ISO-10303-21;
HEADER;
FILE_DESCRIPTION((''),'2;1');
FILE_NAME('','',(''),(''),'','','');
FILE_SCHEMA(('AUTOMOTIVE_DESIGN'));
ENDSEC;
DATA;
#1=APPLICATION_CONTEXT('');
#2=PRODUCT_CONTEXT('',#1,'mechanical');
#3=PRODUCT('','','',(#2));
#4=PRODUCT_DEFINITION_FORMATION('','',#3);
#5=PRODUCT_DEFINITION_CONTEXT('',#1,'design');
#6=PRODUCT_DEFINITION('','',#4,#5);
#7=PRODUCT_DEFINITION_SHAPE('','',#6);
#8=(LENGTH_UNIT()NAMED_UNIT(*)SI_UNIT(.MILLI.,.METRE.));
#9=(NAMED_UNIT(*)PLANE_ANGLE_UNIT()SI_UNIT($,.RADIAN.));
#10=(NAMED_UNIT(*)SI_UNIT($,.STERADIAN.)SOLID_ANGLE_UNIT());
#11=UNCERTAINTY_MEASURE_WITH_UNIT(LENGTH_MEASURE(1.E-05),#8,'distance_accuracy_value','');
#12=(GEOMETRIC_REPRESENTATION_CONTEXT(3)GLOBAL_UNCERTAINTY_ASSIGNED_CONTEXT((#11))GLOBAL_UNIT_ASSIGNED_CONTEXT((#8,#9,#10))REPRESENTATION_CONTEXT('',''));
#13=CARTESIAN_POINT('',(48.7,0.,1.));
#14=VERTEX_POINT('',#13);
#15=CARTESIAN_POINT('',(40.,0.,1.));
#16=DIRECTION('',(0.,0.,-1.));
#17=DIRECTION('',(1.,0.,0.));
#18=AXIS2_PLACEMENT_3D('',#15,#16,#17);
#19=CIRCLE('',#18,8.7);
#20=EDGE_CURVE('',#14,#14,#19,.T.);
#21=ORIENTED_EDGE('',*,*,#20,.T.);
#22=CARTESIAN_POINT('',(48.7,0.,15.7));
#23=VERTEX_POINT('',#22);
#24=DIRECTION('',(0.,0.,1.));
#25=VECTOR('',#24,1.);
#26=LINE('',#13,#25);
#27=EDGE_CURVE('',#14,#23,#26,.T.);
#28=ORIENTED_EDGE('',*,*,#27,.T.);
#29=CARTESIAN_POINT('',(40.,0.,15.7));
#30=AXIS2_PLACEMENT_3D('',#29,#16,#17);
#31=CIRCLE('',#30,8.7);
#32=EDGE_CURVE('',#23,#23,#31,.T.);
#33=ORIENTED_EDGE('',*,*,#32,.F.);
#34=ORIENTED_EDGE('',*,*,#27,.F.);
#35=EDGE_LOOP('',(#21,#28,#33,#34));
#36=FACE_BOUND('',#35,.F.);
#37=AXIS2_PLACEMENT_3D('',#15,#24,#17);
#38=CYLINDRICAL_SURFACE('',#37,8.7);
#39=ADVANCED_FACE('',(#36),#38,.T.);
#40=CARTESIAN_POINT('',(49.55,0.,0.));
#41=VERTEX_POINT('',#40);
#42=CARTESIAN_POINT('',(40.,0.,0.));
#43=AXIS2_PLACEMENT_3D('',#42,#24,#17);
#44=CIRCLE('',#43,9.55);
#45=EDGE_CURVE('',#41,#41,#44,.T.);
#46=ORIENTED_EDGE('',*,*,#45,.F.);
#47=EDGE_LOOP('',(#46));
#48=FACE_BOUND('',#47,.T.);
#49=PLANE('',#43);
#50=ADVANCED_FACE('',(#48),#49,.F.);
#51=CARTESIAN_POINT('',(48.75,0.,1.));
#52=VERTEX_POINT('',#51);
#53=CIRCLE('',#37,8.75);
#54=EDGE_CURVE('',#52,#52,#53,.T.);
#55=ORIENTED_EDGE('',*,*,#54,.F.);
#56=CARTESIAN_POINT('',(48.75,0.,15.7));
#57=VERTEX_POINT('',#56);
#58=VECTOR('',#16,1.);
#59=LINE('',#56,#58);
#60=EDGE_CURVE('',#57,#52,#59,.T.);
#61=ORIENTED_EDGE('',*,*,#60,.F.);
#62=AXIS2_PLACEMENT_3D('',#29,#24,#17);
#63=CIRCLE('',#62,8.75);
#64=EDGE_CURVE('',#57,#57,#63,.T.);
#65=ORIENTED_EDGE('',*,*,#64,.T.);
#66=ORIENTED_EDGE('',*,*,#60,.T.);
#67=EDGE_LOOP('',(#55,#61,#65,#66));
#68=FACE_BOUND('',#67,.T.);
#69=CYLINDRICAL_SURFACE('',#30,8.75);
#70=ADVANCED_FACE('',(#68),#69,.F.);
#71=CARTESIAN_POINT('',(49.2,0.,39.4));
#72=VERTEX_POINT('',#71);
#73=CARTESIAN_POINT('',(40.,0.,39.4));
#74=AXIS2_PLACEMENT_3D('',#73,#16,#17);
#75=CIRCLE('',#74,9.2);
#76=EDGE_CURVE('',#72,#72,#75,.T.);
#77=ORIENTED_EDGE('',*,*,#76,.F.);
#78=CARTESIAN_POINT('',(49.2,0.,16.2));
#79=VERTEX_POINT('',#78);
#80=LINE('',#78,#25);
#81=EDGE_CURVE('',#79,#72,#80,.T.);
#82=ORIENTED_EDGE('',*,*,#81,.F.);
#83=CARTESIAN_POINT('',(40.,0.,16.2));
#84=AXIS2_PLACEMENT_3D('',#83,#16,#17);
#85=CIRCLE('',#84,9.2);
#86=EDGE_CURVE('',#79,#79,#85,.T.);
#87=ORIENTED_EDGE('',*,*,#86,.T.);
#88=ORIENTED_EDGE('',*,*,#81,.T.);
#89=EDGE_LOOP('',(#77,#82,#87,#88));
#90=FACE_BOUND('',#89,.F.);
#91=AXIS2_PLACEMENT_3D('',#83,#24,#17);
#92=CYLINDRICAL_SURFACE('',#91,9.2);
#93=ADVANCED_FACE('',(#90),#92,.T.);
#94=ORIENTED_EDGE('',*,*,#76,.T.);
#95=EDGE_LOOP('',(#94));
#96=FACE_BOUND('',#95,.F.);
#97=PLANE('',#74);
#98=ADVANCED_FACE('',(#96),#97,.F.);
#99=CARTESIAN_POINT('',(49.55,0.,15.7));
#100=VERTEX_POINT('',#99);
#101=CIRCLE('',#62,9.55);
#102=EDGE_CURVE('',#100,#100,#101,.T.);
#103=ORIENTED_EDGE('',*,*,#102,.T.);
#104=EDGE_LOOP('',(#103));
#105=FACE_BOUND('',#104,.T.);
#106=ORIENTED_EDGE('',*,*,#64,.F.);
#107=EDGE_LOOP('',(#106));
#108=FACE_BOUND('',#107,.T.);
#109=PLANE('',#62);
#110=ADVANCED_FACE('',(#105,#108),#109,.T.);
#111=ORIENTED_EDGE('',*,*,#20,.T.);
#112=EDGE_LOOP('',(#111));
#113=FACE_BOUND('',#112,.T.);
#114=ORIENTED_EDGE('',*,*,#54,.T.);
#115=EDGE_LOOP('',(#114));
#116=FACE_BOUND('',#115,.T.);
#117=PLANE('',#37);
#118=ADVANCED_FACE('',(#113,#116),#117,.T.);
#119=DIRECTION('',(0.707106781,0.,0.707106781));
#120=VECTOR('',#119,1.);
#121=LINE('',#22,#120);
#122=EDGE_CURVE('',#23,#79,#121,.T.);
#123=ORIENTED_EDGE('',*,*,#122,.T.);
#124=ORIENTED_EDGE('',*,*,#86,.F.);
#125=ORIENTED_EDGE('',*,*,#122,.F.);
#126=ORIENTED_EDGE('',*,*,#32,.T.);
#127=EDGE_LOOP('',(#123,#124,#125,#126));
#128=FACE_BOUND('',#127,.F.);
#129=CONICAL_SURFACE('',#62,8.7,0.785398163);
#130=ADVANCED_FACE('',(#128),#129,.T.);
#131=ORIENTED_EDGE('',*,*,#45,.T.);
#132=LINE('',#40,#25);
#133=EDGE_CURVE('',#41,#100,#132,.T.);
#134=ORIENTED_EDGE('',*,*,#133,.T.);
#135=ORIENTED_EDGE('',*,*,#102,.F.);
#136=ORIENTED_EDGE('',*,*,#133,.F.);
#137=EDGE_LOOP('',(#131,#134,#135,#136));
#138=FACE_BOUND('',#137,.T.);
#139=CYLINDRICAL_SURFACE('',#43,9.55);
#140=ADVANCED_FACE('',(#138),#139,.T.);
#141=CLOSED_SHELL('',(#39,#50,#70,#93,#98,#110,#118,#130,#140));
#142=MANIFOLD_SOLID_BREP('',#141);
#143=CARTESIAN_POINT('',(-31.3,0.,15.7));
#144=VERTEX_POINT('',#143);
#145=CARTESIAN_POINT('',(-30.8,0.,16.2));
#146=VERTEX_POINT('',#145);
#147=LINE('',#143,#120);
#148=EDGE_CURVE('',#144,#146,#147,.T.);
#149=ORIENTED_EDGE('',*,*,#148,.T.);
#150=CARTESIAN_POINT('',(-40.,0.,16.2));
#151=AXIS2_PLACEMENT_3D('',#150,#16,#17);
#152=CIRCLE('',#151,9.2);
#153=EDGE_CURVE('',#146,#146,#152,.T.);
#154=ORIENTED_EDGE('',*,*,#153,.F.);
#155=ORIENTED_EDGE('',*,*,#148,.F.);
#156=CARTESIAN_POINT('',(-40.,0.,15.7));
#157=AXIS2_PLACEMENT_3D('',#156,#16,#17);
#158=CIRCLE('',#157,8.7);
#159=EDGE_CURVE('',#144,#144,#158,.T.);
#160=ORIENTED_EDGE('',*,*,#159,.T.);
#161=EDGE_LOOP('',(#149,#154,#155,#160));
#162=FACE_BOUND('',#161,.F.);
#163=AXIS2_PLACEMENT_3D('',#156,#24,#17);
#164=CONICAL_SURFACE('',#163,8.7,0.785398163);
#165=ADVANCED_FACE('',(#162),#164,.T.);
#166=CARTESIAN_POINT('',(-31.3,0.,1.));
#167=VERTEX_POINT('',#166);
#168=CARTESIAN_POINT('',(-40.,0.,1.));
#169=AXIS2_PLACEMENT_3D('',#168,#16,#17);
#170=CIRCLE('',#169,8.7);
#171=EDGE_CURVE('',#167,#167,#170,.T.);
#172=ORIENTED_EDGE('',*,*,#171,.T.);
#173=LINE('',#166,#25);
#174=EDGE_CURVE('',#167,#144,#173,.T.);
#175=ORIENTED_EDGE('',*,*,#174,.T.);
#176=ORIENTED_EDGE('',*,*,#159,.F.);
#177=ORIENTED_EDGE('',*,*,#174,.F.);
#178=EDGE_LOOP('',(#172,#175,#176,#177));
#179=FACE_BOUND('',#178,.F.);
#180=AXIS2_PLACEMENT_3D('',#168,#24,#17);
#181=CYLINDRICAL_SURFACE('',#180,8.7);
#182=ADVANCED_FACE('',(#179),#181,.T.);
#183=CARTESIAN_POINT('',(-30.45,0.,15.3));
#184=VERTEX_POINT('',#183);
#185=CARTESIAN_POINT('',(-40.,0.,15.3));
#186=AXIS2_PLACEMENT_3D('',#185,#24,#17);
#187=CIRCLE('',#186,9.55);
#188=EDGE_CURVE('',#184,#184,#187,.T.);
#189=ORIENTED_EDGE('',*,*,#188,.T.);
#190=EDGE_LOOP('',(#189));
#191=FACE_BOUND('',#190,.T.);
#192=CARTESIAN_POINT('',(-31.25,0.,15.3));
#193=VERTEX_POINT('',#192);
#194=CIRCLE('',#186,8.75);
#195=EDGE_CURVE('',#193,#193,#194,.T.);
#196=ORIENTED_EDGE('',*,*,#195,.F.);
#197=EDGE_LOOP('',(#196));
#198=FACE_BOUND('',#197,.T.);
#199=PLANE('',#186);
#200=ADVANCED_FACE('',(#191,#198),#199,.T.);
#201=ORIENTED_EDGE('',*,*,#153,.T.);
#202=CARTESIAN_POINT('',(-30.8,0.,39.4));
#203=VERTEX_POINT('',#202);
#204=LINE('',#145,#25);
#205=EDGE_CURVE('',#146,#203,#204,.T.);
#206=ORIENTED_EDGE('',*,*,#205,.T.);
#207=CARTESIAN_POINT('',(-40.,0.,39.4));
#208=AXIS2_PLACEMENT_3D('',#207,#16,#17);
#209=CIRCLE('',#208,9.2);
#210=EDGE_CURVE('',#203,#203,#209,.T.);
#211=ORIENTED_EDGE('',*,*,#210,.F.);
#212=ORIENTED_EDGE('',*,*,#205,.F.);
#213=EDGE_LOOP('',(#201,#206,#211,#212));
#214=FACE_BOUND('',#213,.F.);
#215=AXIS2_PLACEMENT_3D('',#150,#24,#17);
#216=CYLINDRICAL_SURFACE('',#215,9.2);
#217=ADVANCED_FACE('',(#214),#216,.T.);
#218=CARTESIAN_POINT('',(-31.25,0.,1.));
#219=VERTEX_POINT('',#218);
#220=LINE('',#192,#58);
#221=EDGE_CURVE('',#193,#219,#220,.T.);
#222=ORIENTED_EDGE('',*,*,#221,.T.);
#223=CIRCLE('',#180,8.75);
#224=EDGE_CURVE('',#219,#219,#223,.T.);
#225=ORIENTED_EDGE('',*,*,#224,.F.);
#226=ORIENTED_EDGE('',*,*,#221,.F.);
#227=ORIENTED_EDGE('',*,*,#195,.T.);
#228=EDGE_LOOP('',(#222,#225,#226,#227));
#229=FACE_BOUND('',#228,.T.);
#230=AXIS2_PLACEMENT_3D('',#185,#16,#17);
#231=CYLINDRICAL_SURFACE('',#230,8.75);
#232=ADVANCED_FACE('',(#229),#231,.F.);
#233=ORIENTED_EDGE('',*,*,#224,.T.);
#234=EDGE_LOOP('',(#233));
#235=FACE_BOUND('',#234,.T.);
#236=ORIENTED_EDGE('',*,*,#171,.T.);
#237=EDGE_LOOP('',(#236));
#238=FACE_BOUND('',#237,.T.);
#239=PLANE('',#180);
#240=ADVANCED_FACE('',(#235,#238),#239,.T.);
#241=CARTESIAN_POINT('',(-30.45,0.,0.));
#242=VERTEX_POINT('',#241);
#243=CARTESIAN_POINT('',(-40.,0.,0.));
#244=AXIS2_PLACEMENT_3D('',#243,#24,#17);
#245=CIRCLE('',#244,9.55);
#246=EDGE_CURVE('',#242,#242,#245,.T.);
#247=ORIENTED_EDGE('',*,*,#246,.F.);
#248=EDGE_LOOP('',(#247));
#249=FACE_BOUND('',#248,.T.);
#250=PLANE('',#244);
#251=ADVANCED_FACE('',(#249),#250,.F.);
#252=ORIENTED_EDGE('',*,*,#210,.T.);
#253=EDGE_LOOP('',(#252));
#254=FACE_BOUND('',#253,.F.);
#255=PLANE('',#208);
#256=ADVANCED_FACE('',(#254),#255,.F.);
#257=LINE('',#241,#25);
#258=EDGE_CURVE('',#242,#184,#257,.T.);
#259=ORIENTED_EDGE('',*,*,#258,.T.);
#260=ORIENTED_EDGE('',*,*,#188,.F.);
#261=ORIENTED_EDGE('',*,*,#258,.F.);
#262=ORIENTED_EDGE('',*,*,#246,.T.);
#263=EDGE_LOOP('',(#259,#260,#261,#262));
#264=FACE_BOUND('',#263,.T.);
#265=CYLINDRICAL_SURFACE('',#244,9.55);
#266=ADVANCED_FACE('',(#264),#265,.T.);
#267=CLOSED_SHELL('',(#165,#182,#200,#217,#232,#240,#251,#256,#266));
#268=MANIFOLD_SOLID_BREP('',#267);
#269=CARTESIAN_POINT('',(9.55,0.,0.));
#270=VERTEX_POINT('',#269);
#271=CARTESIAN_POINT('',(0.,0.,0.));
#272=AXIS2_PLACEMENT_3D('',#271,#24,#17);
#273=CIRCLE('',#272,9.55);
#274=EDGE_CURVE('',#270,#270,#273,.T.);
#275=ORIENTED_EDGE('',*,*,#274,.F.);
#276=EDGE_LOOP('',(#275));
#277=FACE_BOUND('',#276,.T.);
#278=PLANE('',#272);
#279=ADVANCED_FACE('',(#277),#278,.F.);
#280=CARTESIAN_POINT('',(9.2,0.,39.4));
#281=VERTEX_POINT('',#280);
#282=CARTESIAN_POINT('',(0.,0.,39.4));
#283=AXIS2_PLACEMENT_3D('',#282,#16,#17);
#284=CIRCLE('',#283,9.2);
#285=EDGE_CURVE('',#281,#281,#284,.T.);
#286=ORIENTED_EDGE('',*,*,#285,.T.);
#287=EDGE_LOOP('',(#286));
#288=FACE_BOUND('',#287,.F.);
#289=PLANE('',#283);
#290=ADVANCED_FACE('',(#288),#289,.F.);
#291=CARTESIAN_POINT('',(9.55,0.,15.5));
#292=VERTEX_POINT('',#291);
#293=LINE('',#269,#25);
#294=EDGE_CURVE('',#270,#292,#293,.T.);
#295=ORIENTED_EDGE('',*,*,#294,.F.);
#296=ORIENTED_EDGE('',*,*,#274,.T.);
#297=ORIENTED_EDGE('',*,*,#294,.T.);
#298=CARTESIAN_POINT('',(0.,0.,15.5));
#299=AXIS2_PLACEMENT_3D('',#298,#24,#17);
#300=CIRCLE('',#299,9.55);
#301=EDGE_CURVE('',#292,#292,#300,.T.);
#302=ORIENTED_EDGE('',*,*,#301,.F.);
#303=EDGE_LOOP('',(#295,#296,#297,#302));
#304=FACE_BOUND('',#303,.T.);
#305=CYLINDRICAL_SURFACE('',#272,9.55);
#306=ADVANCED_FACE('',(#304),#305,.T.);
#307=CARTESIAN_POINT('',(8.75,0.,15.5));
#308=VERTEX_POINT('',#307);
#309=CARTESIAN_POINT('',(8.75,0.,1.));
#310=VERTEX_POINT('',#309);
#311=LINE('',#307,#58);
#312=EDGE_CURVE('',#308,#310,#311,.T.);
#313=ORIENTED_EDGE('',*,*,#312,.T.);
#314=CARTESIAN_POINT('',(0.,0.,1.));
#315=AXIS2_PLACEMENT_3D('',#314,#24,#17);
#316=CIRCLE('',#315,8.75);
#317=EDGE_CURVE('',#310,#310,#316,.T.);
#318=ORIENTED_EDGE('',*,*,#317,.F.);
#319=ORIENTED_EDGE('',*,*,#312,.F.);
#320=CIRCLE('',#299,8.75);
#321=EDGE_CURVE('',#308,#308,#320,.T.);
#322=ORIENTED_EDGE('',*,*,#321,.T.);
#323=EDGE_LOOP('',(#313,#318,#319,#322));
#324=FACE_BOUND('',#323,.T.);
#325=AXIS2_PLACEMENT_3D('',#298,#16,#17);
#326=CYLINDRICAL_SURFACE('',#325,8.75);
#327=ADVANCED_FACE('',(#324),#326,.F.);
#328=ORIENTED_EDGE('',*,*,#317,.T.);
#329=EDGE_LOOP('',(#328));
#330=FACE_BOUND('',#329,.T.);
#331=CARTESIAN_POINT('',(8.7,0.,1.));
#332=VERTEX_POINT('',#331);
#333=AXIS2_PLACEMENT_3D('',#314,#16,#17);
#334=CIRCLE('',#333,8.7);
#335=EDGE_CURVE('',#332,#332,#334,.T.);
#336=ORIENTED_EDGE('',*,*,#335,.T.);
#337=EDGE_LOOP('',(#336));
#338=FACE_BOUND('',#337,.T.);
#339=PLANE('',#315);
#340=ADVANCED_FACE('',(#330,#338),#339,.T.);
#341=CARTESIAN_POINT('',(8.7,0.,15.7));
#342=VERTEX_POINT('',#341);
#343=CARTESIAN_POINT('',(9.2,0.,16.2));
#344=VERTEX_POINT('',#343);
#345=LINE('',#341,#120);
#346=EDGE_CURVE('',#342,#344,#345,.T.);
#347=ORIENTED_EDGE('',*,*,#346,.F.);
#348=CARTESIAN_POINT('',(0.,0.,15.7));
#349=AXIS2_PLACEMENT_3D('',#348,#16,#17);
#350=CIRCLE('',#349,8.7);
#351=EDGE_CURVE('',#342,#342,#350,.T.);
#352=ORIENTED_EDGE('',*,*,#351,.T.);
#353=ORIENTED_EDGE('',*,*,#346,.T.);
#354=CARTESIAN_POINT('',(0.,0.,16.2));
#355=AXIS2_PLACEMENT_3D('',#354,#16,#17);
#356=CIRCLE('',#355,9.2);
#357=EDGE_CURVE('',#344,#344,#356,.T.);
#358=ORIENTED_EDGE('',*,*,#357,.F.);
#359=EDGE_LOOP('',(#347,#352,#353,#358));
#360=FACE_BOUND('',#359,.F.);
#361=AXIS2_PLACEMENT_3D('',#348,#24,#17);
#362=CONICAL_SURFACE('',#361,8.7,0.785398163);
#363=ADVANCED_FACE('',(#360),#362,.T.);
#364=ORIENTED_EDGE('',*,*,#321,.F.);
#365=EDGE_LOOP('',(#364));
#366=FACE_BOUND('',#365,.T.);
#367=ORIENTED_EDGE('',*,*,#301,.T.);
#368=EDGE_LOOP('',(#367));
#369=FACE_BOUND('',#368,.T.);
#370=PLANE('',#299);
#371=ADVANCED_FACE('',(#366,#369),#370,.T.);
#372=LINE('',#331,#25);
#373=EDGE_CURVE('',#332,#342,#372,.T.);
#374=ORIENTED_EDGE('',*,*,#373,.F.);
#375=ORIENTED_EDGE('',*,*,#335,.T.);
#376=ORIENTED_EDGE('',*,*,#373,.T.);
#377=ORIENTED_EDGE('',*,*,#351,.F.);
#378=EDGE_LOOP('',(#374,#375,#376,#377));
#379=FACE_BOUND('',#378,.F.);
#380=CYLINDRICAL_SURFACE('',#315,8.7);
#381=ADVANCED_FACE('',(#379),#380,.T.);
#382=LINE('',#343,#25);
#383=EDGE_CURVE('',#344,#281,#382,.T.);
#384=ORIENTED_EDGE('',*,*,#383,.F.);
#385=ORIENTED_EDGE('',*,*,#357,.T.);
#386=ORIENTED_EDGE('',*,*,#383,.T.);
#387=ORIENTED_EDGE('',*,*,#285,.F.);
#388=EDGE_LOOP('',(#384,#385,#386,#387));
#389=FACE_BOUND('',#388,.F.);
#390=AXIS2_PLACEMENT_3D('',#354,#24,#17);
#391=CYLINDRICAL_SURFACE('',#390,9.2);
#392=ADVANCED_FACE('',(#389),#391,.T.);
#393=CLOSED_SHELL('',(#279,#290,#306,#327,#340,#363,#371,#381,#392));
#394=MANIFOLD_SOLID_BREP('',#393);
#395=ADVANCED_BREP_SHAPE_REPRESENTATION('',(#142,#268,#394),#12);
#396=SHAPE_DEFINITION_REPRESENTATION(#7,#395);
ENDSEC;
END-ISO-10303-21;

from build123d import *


with BuildPart() as f1:
    # F0 (on Front) → F1 (revolve)
    with BuildSketch(Plane.XZ):
        Polygon((0, 1), (0, 0), (9.55, 0), (9.55, 15.5), (8.75, 15.5), (8.75, 1), align=None)
    revolve(axis=Axis((0, 0, 5.78928), (0, 0, 1)))

    # F8 (on Front) → F9 (revolve)
    with BuildSketch(Plane.XZ):
        Polygon((0, 39.4), (0, 1), (8.7, 1), (8.7, 15.7), (9.2, 16.2), (9.2, 39.4), align=None)
    revolve(axis=Axis((0, 0, 20.2), (0, 0, -1)))


with BuildPart() as f3:
    # F2 (on Front) → F3 (revolve)
    with BuildSketch(Plane.XZ):
        Polygon((-40, 1), (-40, 0), (-30.45, 0), (-30.45, 15.3), (-31.25, 15.3), (-31.25, 1), align=None)
    revolve(axis=Axis((-40, 0, 6.747161), (0, 0, 1)))

    # F6 (on Front) → F7 (revolve)
    with BuildSketch(Plane.XZ):
        Polygon((-40, 39.4), (-40, 1), (-31.3, 1), (-31.3, 15.7), (-30.8, 16.2), (-30.8, 39.4), align=None)
    revolve(axis=Axis((-40, 0, 20.2), (0, 0, -1)))


with BuildPart() as f5:
    # F4 (on Front) → F5 (revolve)
    with BuildSketch(Plane.XZ):
        Polygon((40, 1), (40, 0), (49.55, 0), (49.55, 15.7), (48.75, 15.7), (48.75, 1), align=None)
    revolve(axis=Axis((40, 0, 6.912579), (0, 0, 1)))

    # F10 (on Front) → F11 (revolve)
    with BuildSketch(Plane.XZ):
        Polygon((40, 39.4), (40, 1), (48.7, 1), (48.7, 15.7), (49.2, 16.2), (49.2, 39.4), align=None)
    revolve(axis=Axis((40, 0, 20.2), (0, 0, -1)))


solid = Compound([f1.part, f3.part, f5.part])
